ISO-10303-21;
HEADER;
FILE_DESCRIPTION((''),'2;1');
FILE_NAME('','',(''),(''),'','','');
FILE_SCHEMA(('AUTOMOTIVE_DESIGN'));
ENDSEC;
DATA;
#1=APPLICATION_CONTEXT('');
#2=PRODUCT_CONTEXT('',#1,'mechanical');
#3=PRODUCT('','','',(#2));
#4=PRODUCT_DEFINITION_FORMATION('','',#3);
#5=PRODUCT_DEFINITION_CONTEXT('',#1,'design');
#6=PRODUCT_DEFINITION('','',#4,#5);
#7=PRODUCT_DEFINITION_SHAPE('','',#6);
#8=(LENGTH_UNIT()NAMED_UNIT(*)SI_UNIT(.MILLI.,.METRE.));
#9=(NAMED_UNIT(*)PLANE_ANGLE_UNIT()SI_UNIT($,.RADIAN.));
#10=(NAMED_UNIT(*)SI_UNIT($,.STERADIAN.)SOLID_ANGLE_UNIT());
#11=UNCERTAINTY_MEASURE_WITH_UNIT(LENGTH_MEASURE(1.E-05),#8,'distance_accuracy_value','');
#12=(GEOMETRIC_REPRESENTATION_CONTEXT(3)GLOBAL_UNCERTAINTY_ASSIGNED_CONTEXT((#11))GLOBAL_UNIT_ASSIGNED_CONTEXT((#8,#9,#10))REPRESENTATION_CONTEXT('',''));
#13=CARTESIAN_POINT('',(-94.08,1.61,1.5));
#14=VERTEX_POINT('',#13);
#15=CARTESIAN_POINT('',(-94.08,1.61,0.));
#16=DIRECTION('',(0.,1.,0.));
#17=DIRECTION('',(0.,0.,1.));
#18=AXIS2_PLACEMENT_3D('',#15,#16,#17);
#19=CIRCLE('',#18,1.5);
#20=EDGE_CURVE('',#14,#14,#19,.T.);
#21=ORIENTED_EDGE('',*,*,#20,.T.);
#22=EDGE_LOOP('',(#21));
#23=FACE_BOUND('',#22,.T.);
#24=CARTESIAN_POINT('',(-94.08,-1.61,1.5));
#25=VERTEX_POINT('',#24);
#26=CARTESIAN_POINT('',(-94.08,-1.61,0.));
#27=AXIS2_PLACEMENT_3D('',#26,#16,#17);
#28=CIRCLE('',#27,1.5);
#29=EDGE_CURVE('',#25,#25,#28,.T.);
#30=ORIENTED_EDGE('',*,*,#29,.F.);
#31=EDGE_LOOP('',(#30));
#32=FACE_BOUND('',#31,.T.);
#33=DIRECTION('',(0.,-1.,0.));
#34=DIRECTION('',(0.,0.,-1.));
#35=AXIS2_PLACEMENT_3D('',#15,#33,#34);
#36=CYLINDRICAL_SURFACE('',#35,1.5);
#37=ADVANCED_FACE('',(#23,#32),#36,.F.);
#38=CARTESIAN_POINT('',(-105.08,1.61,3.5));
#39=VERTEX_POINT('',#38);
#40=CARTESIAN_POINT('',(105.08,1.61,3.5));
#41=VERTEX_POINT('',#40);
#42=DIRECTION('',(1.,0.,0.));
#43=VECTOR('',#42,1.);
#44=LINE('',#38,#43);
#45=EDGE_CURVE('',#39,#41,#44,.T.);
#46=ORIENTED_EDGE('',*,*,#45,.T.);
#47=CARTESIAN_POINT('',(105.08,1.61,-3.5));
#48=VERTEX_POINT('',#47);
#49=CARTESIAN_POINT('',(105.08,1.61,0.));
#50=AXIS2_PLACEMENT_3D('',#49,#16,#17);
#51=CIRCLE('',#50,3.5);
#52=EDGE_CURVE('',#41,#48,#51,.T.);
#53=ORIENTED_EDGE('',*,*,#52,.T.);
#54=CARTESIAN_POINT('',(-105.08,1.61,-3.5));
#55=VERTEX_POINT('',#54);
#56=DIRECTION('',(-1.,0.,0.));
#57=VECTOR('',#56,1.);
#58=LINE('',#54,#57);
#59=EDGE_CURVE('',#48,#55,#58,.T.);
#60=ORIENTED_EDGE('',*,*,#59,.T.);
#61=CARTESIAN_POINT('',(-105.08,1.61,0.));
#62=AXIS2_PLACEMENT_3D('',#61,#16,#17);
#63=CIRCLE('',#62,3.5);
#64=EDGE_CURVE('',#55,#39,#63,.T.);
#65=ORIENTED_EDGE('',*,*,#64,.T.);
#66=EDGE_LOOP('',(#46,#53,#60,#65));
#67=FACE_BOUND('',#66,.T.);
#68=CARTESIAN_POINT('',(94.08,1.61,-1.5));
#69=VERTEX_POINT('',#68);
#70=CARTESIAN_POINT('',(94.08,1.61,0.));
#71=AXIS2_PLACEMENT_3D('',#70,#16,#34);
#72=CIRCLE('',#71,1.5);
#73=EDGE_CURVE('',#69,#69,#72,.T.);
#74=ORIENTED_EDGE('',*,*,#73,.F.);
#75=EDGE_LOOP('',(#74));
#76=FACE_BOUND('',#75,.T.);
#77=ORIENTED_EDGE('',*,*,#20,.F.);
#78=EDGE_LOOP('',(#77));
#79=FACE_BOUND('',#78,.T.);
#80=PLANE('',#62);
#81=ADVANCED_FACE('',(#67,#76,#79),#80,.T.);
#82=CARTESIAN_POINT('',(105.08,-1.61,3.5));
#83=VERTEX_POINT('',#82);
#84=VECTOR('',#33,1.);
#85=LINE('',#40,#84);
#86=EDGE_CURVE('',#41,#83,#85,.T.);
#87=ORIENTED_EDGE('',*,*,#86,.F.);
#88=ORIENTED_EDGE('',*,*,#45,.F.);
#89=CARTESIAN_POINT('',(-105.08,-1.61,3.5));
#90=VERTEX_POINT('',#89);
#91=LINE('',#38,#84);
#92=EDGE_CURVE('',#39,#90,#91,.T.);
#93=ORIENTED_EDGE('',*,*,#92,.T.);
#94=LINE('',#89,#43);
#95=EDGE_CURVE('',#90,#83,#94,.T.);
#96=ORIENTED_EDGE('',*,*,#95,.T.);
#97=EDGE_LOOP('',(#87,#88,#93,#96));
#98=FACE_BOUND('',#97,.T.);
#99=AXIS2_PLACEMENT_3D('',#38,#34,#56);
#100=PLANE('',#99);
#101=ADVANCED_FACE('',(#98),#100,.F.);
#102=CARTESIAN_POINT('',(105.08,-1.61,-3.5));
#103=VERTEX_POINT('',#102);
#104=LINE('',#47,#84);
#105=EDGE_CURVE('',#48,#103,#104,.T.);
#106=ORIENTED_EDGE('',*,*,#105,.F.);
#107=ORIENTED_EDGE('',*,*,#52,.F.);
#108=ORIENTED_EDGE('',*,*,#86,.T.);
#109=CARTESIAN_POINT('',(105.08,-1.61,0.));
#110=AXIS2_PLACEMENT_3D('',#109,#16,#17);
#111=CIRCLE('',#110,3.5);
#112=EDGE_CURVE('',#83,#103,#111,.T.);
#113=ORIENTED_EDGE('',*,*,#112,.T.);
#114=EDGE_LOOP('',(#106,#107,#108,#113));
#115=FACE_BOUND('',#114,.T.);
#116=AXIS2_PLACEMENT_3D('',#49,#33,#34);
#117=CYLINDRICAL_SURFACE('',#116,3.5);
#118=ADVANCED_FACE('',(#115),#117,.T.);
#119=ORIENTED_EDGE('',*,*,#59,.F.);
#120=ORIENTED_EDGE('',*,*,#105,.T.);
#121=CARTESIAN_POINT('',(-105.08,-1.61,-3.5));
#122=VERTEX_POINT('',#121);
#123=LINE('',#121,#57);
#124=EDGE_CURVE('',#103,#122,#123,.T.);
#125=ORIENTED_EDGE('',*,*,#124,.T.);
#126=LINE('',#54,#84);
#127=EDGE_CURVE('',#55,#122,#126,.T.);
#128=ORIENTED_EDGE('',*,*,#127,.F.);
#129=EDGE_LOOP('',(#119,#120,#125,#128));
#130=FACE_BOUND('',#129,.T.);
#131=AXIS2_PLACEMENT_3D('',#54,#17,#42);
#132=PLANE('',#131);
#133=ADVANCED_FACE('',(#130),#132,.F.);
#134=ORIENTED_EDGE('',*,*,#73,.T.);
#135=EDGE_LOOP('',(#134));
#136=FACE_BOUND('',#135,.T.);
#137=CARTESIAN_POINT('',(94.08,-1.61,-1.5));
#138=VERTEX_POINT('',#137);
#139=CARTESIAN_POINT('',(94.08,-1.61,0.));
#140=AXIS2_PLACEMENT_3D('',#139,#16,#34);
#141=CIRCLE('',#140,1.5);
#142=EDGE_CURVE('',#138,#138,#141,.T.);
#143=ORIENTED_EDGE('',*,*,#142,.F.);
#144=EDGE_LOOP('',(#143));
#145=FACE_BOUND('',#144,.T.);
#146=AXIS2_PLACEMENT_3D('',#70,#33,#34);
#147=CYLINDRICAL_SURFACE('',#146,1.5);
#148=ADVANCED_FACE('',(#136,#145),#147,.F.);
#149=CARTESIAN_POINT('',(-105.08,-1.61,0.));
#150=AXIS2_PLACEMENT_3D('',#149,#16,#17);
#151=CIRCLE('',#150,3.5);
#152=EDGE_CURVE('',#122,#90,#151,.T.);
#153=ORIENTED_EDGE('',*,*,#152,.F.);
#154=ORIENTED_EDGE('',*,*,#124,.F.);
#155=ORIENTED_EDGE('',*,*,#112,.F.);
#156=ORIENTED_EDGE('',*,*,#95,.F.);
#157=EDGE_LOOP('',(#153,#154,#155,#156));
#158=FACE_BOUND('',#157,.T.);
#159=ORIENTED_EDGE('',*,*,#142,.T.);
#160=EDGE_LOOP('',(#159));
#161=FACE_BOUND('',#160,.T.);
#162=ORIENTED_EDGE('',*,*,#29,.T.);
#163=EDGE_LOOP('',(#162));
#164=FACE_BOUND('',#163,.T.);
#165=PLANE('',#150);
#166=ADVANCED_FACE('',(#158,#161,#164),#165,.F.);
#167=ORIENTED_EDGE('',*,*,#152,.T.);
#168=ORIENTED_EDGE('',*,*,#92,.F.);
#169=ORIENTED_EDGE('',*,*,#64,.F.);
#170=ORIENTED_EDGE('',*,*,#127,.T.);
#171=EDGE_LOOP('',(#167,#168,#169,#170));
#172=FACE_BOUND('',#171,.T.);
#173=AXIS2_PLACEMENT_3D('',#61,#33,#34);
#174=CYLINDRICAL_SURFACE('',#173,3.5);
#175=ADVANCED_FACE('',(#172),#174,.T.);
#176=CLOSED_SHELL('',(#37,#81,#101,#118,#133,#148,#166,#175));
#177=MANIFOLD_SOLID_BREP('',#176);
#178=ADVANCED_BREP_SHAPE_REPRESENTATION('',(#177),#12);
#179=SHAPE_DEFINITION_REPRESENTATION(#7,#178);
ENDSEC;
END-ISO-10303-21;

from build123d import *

# Parameters (mm, degrees)
SKETCH1_R           = 1.5
BOSS_EXTRUDE2_DEPTH = 1.61


with BuildPart() as part:
    # Sketch1 → Boss-Extrude2 (new body, symmetric)
    with BuildSketch(Plane(origin=(0, 0, 0), x_dir=(1, 0, 0), z_dir=(0, 1, 0))):
        with BuildLine():
            Line((-105.08, 3.5), (105.08, 3.5))
            ThreePointArc((105.08, 3.5), (108.58, 0), (105.08, -3.5))
            Line((105.08, -3.5), (-105.08, -3.5))
            ThreePointArc((-105.08, -3.5), (-108.58, 0), (-105.08, 3.5))
        make_face()
        with Locations((-94.08, 0)):
            Circle(SKETCH1_R, mode=Mode.SUBTRACT)
        with Locations((94.08, 0)):
            Circle(SKETCH1_R, mode=Mode.SUBTRACT)
    extrude(amount=BOSS_EXTRUDE2_DEPTH, both=True)


solid = part.part
